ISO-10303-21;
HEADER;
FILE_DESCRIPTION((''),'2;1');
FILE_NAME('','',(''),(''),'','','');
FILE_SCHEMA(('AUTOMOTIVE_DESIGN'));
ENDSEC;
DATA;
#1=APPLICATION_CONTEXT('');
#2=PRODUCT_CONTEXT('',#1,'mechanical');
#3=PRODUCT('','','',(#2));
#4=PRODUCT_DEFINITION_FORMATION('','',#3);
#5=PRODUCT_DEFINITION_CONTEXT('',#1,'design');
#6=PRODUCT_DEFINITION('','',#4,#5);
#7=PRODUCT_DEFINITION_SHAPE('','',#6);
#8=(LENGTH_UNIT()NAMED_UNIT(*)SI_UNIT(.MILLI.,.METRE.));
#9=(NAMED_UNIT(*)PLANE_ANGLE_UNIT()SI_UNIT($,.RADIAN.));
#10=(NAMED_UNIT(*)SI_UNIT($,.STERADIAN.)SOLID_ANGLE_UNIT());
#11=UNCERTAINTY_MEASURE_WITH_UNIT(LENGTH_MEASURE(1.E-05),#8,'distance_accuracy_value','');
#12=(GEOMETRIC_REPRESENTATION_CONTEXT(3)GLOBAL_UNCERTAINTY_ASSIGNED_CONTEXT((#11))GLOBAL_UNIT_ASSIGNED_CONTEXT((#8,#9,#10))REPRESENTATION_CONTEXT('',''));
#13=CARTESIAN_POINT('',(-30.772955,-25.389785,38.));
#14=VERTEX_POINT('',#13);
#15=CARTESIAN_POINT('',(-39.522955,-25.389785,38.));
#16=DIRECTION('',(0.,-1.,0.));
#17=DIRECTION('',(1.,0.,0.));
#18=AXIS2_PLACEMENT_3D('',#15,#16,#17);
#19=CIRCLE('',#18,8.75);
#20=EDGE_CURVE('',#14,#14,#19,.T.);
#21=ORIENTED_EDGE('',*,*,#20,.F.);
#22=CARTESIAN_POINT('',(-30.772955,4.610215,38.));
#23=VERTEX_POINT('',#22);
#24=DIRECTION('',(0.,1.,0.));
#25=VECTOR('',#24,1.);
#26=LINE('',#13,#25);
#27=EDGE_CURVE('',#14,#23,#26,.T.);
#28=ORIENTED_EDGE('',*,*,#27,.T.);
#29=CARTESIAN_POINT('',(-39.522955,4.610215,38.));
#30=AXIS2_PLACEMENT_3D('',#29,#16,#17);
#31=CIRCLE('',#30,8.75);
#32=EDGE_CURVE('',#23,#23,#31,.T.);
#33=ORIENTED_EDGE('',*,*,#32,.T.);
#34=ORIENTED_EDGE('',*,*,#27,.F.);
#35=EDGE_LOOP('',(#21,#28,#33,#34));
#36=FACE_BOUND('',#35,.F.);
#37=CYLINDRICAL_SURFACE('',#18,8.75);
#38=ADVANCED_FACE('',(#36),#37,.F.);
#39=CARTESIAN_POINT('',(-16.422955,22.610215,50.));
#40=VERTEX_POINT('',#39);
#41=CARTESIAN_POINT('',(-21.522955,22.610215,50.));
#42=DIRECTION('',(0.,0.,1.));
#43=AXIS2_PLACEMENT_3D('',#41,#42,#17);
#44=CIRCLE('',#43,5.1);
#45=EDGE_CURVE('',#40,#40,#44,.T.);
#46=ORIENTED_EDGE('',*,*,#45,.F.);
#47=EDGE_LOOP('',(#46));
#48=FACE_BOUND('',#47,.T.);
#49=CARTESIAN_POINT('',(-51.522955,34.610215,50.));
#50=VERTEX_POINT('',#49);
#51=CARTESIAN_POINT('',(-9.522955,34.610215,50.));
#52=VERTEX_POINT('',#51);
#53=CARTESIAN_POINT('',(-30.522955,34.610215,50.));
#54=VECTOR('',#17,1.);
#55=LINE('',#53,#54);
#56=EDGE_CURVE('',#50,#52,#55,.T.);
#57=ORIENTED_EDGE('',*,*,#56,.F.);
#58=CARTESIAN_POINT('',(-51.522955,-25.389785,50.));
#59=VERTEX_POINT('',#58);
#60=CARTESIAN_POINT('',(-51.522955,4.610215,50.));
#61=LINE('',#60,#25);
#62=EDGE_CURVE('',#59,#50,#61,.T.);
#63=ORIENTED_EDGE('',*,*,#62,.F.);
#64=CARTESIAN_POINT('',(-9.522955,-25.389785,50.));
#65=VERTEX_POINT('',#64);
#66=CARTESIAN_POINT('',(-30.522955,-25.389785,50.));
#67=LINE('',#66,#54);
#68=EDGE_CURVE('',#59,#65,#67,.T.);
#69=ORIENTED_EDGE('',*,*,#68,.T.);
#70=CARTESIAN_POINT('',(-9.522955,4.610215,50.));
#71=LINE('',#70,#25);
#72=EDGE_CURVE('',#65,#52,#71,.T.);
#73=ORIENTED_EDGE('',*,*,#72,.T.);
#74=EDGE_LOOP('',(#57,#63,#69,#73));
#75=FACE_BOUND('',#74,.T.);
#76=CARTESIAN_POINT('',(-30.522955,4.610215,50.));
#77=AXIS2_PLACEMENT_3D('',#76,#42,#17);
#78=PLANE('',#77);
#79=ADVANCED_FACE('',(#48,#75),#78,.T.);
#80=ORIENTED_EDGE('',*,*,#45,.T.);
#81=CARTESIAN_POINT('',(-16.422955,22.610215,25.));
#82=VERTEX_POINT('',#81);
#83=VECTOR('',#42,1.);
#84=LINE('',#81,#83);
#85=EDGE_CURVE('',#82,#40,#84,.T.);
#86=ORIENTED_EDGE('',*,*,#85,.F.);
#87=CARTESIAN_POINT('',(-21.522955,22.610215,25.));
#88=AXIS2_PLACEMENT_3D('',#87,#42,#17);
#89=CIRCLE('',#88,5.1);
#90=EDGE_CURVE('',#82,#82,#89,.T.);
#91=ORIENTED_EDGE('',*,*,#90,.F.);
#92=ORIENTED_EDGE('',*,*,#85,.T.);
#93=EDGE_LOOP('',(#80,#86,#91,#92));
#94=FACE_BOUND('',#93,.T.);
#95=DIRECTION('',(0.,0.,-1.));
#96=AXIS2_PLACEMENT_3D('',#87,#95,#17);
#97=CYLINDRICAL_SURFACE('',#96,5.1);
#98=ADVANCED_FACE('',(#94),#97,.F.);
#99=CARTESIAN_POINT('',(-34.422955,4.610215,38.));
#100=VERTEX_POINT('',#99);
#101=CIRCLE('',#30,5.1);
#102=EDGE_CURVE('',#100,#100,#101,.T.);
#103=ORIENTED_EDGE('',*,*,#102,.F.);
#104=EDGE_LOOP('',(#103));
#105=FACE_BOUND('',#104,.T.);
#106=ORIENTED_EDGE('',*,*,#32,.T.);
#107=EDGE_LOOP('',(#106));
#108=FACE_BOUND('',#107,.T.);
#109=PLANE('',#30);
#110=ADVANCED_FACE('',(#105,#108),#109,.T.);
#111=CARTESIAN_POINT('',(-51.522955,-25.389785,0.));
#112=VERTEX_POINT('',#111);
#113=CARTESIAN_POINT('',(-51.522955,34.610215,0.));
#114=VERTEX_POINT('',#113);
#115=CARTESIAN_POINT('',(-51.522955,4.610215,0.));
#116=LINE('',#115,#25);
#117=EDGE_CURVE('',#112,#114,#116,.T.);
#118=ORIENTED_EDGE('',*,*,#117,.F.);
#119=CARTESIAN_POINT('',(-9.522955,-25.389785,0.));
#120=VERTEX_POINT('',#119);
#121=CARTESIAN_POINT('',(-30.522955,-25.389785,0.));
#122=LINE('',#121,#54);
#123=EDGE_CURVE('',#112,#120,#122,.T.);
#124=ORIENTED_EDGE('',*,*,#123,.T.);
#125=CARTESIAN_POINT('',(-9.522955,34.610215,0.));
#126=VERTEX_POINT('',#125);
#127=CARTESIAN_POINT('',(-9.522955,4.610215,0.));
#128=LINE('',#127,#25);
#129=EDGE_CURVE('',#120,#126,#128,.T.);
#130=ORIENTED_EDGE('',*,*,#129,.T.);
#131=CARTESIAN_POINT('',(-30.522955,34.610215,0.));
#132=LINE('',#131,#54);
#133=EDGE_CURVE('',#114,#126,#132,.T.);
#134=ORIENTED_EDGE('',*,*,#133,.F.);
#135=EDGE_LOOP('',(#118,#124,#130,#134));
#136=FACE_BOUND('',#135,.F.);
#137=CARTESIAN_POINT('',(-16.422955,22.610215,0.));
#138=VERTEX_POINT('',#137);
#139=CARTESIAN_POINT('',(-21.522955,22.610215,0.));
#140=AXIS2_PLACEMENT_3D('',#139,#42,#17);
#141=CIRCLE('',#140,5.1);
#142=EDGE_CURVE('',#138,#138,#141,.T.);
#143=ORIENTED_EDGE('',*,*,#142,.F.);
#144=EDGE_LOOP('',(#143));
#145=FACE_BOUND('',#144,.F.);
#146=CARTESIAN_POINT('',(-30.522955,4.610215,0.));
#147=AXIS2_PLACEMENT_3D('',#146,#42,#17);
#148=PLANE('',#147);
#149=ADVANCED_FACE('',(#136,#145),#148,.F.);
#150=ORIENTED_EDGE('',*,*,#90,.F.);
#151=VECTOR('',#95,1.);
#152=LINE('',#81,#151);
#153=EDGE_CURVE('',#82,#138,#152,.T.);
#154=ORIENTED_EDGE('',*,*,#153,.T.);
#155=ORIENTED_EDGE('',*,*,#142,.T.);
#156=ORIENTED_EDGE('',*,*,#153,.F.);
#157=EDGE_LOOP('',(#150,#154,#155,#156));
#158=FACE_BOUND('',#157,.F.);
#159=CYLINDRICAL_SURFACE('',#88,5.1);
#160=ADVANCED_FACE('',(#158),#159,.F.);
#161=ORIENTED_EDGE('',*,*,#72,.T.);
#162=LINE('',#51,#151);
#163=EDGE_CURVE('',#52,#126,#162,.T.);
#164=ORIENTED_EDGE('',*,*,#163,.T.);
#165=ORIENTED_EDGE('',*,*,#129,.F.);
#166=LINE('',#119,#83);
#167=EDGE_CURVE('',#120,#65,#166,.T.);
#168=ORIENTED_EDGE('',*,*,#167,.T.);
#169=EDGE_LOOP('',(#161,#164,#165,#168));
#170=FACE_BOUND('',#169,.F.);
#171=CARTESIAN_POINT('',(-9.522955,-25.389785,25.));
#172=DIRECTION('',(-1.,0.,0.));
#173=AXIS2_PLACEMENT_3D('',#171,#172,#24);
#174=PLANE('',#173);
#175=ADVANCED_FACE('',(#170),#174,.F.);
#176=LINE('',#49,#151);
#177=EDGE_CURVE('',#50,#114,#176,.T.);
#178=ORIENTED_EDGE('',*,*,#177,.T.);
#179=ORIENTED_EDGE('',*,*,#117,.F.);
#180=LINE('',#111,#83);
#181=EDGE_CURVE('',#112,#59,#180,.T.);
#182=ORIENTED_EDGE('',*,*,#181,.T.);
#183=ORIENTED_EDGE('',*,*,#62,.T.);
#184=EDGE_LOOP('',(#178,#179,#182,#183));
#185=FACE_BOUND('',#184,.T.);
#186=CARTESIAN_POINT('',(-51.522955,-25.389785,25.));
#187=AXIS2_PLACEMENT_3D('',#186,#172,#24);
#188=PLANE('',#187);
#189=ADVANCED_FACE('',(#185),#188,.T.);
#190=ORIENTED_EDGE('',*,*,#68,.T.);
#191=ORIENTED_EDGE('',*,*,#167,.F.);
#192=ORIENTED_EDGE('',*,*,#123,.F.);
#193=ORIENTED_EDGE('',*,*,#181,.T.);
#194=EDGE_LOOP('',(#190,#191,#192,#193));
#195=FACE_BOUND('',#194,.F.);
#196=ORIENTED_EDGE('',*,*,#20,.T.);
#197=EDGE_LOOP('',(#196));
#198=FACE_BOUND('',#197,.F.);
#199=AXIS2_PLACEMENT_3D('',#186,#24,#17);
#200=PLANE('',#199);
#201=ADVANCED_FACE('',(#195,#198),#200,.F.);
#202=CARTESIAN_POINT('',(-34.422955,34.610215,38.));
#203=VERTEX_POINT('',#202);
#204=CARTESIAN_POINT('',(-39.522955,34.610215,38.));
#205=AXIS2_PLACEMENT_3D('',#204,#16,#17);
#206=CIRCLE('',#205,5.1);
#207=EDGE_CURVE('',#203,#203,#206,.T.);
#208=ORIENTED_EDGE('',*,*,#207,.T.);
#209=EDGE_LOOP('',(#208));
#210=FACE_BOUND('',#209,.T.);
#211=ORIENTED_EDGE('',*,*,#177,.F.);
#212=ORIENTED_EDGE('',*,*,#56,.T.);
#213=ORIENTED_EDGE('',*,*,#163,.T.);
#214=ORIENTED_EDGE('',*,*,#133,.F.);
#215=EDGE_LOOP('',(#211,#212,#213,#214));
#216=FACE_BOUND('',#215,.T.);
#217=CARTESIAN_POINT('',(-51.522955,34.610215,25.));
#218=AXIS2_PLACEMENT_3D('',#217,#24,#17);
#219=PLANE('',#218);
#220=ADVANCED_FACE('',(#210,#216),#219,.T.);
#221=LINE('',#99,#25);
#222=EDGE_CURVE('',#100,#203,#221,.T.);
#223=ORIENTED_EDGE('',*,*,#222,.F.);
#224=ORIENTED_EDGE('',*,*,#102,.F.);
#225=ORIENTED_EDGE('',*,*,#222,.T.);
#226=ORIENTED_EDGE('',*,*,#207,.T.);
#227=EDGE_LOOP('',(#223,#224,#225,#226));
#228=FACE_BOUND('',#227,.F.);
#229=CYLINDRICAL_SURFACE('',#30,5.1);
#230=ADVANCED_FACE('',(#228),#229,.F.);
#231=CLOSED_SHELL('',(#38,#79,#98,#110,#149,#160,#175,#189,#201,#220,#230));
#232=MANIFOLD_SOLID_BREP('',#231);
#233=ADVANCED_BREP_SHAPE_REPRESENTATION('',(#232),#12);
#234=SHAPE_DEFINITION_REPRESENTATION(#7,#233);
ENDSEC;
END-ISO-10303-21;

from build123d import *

# Parameters (mm, degrees)
F0_W      = 42
F0_H      = 60
F1_DEPTH  = 25
F2_R      = 5.1
F3_DEPTH  = 25.001
F1_FACE_W = 42
F1_FACE_H = 60
F1_FACE_R = 5.1
F4_DEPTH  = 25
F5_R      = 8.75
F6_DEPTH  = 30
F7_R      = 5.1
F8_DEPTH  = 60


with BuildPart() as f1:
    # F0 (on Top) → F1 (new body)
    with BuildSketch(Plane.XY):
        with Locations((-30.522955, 4.610215)):
            Rectangle(F0_W, F0_H)
    extrude(amount=F1_DEPTH)

    # F2 (on face) → F3 (cut, through all)
    with BuildSketch(Plane.XY.offset(25)):
        with Locations((-21.522955, 22.610215)):
            Circle(F2_R)
    extrude(amount=-F3_DEPTH, mode=Mode.SUBTRACT)

    # F1_face (on face) → F4 (join)
    with BuildSketch(Plane(origin=(-30.522955, 4.610215, 25), x_dir=(1, 0, 0), z_dir=(0, 0, 1))):
        Rectangle(F1_FACE_W, F1_FACE_H)
        with Locations((9, 18)):
            Circle(F1_FACE_R, mode=Mode.SUBTRACT)
    extrude(amount=F4_DEPTH)

    # F5 (on face) → F6 (cut)
    with BuildSketch(Plane.XZ.offset(25.389785)):
        with Locations((-39.522955, 38)):
            Circle(F5_R)
    extrude(amount=-F6_DEPTH, mode=Mode.SUBTRACT)

    # F7 (on face) → F8 (cut)
    with BuildSketch(Plane.XZ.offset(-4.610215)):
        with Locations((-39.522955, 38)):
            Circle(F7_R)
    extrude(amount=-F8_DEPTH, mode=Mode.SUBTRACT)


solid = f1.part
